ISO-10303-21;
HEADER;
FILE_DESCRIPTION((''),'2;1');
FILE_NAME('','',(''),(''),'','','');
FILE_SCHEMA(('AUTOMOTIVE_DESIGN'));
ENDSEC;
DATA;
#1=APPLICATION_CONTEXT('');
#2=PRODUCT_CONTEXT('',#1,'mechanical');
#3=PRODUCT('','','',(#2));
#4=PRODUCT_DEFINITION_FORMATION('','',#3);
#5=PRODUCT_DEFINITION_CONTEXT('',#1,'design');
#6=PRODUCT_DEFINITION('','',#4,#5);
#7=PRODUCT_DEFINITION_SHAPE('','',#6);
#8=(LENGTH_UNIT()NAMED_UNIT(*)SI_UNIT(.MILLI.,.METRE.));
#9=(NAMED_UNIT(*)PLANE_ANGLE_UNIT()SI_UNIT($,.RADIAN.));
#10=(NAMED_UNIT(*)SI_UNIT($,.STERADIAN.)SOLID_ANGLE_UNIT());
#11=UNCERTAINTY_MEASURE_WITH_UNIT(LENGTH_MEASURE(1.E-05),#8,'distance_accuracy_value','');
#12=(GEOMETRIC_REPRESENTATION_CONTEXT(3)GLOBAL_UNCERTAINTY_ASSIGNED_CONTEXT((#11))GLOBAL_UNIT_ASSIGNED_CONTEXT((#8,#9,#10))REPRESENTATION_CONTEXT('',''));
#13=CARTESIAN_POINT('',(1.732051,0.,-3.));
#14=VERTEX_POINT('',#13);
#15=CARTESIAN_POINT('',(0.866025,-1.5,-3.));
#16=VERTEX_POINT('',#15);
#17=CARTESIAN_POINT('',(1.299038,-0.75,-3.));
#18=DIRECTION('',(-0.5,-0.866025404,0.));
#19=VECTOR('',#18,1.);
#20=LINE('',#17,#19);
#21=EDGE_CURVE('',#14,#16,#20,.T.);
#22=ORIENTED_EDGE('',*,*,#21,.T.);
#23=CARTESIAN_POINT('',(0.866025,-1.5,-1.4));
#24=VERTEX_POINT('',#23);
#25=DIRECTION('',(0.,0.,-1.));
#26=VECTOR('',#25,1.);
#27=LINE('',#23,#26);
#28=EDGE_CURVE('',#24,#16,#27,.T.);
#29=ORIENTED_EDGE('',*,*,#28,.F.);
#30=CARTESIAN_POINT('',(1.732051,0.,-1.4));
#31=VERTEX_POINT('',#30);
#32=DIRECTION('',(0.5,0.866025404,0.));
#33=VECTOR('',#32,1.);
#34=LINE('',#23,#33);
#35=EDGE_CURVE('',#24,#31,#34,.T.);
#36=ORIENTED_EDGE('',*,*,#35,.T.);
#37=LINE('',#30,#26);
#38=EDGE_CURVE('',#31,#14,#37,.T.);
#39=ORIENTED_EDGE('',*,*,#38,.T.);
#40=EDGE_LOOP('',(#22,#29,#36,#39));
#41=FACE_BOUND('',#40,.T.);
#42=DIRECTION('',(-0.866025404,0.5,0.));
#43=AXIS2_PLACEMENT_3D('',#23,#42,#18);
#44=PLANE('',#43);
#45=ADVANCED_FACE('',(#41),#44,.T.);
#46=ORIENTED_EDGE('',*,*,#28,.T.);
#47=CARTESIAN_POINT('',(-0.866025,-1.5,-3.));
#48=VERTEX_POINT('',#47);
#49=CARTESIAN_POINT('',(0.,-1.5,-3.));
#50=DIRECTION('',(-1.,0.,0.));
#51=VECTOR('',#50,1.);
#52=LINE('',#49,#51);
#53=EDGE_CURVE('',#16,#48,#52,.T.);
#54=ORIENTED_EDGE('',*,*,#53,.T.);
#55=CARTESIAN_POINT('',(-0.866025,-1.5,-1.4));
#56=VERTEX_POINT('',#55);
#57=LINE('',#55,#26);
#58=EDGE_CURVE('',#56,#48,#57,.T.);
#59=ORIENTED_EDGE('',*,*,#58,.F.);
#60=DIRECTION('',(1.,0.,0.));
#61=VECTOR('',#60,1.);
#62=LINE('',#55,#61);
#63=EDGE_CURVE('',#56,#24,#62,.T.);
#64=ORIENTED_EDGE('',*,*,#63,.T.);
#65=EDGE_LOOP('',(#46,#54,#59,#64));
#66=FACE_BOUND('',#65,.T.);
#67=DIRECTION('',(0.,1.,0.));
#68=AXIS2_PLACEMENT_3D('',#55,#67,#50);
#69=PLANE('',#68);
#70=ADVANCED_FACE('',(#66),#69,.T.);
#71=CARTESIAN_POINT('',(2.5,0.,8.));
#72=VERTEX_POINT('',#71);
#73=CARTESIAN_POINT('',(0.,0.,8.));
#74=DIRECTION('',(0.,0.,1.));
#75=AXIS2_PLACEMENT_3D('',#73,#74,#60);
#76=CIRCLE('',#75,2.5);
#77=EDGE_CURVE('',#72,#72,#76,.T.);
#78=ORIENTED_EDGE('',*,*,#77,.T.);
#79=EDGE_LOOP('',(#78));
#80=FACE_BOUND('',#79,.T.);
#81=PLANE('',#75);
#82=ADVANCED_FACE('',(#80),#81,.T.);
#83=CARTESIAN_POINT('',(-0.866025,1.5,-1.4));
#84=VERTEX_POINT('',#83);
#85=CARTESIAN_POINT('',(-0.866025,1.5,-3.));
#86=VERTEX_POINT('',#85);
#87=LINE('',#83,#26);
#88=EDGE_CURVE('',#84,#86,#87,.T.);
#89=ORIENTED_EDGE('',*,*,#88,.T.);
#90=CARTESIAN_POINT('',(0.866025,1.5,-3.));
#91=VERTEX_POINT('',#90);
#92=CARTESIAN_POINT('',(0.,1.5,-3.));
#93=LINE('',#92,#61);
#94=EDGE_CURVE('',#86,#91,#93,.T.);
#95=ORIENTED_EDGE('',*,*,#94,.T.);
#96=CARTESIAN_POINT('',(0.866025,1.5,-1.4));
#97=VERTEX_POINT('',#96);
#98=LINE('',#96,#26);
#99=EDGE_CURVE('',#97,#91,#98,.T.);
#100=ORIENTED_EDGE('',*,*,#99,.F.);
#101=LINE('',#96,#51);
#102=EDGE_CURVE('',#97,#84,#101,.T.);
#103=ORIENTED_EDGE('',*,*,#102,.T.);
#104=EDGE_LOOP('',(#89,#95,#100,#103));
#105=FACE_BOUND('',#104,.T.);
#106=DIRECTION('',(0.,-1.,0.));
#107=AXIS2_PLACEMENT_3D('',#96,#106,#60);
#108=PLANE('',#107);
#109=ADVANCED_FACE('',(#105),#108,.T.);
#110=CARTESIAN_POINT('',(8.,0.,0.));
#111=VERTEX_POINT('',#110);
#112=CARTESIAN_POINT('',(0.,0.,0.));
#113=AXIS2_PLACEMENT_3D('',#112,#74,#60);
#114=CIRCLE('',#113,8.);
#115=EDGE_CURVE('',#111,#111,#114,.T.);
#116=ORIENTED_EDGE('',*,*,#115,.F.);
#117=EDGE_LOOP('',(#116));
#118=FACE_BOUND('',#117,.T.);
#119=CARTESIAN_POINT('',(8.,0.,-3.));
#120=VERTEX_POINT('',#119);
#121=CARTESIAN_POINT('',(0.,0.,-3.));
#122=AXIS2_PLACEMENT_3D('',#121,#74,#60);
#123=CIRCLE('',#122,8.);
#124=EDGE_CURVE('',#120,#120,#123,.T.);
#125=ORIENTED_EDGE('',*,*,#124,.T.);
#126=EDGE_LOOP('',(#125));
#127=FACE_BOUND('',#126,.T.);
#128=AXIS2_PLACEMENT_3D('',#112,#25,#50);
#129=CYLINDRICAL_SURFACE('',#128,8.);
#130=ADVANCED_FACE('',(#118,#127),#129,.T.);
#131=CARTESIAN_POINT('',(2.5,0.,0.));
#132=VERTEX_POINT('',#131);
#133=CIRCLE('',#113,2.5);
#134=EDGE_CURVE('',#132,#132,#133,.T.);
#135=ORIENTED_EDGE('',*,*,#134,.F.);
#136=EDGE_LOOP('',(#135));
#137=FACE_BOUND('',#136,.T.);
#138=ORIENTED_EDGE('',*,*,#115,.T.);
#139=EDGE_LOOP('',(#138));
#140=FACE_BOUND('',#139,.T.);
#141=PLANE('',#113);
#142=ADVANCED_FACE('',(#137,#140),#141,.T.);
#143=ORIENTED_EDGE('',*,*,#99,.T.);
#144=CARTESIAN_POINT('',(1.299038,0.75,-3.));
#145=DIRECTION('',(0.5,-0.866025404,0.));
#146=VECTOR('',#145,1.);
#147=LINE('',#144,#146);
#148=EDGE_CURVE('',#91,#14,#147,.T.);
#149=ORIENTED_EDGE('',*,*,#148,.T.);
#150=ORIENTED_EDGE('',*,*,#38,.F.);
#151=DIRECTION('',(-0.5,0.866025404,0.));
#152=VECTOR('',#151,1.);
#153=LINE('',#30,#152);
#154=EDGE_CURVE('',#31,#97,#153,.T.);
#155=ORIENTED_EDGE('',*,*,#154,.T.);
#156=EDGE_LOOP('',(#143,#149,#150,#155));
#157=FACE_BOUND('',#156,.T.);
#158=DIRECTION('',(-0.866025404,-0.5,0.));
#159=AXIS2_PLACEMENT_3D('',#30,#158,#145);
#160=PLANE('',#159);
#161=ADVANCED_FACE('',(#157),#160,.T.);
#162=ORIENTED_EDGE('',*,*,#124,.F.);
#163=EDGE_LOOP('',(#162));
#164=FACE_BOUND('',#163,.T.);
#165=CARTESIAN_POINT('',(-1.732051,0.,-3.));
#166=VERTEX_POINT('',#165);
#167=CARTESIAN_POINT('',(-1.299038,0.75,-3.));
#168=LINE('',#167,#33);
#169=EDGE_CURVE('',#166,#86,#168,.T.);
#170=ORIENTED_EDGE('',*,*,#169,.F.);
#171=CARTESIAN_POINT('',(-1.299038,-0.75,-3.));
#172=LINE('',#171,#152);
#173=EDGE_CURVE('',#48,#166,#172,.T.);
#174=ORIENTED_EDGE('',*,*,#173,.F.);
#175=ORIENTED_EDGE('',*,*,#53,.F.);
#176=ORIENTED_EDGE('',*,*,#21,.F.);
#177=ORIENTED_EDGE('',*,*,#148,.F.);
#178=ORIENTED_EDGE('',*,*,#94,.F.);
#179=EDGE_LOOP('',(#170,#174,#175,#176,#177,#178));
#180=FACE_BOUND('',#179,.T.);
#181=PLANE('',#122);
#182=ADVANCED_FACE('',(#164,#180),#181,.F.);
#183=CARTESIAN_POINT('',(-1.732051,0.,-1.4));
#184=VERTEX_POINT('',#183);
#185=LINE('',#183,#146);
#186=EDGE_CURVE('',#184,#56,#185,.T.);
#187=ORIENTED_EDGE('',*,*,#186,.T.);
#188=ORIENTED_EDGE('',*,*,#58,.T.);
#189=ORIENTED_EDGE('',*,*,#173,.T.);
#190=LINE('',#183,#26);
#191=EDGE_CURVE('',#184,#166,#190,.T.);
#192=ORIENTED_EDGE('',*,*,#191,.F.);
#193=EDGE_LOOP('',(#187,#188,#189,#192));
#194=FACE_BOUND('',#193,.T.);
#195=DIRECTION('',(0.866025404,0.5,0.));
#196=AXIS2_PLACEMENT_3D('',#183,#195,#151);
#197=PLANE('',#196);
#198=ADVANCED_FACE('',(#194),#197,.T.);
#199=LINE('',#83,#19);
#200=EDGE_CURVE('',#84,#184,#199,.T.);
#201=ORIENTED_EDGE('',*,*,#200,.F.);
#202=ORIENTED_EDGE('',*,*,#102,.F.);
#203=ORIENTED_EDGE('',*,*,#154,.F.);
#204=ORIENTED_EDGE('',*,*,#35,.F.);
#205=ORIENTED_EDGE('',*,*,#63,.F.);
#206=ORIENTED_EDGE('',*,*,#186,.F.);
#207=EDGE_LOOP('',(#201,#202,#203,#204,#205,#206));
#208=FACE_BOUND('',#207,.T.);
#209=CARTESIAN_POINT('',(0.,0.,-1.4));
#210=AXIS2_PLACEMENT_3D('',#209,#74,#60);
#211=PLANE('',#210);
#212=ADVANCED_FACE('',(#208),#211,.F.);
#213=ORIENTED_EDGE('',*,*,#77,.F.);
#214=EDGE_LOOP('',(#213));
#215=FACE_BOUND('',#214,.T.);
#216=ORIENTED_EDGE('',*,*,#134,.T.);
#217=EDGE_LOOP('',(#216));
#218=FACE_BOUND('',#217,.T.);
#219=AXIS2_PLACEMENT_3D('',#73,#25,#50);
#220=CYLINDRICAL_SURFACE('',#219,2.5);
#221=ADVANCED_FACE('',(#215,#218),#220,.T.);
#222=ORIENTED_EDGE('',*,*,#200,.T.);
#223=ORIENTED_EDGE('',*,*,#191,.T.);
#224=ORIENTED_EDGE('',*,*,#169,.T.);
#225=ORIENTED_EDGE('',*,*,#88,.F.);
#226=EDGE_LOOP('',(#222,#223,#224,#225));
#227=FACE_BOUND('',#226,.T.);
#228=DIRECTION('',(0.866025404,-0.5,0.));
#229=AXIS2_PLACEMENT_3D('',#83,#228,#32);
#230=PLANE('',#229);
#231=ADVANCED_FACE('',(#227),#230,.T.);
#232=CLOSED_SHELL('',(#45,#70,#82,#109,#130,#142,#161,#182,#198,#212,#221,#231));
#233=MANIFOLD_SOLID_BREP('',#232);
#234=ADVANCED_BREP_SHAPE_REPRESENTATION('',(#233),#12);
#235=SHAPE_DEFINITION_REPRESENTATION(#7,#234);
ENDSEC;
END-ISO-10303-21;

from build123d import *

# Parameters (mm, degrees)
F_01_START                          = -3
S01_LOW_FLANGED_HEAD_R              = 8
F_01_LOW_FLANGED_HEAD_DEPTH         = 3
S02_M5_THREAD_MAJOR_DIAMETER_R      = 2.5
F_02_M5_THREAD_MAJOR_DIAMETER_DEPTH = 8
F_03_START                          = -3.1
F_03_DRIVE_HEX_DEPTH                = 1.7


with BuildPart() as part:
    # S01 - Low flanged head → 01 - Low flanged head (new body)
    with BuildSketch(Plane.XY.offset(F_01_START)):
        Circle(S01_LOW_FLANGED_HEAD_R)
    extrude(amount=F_01_LOW_FLANGED_HEAD_DEPTH)

    # S02 - M5 thread major diameter → 02 - M5 thread major diameter (add)
    with BuildSketch(Plane.XY):
        Circle(S02_M5_THREAD_MAJOR_DIAMETER_R)
    extrude(amount=F_02_M5_THREAD_MAJOR_DIAMETER_DEPTH)

    # S03 - Drive hex → 03 - Drive hex (cut)
    with BuildSketch(Plane.XY.offset(F_03_START)):
        Polygon((1.732050808, 0), (0.866025404, 1.5), (-0.866025404, 1.5), (-1.732050808, 0), (-0.866025404, -1.5), (0.866025404, -1.5), align=None)
    extrude(amount=F_03_DRIVE_HEX_DEPTH, mode=Mode.SUBTRACT)


solid = part.part
